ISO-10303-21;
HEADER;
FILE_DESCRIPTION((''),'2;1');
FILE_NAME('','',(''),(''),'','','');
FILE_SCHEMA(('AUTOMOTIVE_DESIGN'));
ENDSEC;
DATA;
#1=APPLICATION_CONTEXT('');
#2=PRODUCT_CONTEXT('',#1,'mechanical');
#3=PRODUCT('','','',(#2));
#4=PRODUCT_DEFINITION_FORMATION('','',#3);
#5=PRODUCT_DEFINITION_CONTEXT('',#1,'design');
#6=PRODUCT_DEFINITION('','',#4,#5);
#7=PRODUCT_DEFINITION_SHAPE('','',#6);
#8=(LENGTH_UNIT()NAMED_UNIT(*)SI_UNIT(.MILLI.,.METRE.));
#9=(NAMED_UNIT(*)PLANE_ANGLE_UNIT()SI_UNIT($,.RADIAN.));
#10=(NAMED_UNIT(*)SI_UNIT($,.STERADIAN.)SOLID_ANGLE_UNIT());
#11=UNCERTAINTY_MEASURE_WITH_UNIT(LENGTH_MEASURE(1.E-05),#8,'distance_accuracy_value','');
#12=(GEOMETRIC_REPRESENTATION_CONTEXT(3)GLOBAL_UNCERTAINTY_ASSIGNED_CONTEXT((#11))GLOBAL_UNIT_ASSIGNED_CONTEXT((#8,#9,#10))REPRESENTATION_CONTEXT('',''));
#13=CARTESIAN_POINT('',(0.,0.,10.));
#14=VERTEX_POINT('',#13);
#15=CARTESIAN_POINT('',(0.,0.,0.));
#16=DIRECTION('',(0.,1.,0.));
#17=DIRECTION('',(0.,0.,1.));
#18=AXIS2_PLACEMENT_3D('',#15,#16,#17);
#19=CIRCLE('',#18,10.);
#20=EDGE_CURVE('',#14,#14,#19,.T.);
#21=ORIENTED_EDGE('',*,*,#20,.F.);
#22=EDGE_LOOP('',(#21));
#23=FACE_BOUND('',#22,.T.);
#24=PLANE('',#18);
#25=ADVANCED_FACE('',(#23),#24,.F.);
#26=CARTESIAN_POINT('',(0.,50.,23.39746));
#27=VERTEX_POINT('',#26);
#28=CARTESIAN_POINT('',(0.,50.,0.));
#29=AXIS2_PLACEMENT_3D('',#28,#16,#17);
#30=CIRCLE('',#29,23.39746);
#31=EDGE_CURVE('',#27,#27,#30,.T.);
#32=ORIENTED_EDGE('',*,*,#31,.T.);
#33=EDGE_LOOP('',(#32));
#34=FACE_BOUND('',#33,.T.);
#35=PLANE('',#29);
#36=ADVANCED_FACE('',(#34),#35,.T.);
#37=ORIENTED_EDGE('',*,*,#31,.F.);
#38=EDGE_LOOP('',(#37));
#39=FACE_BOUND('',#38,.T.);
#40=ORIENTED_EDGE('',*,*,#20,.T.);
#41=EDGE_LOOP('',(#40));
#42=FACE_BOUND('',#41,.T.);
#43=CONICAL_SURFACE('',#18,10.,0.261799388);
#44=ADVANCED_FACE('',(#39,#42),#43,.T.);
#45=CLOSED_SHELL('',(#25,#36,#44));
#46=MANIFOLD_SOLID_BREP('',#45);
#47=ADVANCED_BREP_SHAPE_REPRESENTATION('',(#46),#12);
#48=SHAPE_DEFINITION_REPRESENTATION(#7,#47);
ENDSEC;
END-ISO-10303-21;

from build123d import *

# Parameters (mm, degrees)
SKETCH1_R           = 10
BOSS_EXTRUDE1_DEPTH = 50
BOSS_EXTRUDE1_DRAFT = -15


with BuildPart() as part:
    # Sketch1 → Boss-Extrude1 (with draft: the straight prism first)
    with BuildSketch(Plane(origin=(0, 0, 0), x_dir=(1, 0, 0), z_dir=(0, 1, 0))):
        Circle(SKETCH1_R)
    extrude(amount=BOSS_EXTRUDE1_DEPTH)
    # Boss-Extrude1: the draft: its side faces are tilted about the plane it starts from
    boss_extrude1_sides = [part.faces().sort_by_distance(p)[0] for p in [
        (-10, 25, 0),
    ]]
    draft(boss_extrude1_sides, Plane(origin=(0, 0, 0), x_dir=(1, 0, 0), z_dir=(0, 1, 0)), BOSS_EXTRUDE1_DRAFT)


solid = part.part
